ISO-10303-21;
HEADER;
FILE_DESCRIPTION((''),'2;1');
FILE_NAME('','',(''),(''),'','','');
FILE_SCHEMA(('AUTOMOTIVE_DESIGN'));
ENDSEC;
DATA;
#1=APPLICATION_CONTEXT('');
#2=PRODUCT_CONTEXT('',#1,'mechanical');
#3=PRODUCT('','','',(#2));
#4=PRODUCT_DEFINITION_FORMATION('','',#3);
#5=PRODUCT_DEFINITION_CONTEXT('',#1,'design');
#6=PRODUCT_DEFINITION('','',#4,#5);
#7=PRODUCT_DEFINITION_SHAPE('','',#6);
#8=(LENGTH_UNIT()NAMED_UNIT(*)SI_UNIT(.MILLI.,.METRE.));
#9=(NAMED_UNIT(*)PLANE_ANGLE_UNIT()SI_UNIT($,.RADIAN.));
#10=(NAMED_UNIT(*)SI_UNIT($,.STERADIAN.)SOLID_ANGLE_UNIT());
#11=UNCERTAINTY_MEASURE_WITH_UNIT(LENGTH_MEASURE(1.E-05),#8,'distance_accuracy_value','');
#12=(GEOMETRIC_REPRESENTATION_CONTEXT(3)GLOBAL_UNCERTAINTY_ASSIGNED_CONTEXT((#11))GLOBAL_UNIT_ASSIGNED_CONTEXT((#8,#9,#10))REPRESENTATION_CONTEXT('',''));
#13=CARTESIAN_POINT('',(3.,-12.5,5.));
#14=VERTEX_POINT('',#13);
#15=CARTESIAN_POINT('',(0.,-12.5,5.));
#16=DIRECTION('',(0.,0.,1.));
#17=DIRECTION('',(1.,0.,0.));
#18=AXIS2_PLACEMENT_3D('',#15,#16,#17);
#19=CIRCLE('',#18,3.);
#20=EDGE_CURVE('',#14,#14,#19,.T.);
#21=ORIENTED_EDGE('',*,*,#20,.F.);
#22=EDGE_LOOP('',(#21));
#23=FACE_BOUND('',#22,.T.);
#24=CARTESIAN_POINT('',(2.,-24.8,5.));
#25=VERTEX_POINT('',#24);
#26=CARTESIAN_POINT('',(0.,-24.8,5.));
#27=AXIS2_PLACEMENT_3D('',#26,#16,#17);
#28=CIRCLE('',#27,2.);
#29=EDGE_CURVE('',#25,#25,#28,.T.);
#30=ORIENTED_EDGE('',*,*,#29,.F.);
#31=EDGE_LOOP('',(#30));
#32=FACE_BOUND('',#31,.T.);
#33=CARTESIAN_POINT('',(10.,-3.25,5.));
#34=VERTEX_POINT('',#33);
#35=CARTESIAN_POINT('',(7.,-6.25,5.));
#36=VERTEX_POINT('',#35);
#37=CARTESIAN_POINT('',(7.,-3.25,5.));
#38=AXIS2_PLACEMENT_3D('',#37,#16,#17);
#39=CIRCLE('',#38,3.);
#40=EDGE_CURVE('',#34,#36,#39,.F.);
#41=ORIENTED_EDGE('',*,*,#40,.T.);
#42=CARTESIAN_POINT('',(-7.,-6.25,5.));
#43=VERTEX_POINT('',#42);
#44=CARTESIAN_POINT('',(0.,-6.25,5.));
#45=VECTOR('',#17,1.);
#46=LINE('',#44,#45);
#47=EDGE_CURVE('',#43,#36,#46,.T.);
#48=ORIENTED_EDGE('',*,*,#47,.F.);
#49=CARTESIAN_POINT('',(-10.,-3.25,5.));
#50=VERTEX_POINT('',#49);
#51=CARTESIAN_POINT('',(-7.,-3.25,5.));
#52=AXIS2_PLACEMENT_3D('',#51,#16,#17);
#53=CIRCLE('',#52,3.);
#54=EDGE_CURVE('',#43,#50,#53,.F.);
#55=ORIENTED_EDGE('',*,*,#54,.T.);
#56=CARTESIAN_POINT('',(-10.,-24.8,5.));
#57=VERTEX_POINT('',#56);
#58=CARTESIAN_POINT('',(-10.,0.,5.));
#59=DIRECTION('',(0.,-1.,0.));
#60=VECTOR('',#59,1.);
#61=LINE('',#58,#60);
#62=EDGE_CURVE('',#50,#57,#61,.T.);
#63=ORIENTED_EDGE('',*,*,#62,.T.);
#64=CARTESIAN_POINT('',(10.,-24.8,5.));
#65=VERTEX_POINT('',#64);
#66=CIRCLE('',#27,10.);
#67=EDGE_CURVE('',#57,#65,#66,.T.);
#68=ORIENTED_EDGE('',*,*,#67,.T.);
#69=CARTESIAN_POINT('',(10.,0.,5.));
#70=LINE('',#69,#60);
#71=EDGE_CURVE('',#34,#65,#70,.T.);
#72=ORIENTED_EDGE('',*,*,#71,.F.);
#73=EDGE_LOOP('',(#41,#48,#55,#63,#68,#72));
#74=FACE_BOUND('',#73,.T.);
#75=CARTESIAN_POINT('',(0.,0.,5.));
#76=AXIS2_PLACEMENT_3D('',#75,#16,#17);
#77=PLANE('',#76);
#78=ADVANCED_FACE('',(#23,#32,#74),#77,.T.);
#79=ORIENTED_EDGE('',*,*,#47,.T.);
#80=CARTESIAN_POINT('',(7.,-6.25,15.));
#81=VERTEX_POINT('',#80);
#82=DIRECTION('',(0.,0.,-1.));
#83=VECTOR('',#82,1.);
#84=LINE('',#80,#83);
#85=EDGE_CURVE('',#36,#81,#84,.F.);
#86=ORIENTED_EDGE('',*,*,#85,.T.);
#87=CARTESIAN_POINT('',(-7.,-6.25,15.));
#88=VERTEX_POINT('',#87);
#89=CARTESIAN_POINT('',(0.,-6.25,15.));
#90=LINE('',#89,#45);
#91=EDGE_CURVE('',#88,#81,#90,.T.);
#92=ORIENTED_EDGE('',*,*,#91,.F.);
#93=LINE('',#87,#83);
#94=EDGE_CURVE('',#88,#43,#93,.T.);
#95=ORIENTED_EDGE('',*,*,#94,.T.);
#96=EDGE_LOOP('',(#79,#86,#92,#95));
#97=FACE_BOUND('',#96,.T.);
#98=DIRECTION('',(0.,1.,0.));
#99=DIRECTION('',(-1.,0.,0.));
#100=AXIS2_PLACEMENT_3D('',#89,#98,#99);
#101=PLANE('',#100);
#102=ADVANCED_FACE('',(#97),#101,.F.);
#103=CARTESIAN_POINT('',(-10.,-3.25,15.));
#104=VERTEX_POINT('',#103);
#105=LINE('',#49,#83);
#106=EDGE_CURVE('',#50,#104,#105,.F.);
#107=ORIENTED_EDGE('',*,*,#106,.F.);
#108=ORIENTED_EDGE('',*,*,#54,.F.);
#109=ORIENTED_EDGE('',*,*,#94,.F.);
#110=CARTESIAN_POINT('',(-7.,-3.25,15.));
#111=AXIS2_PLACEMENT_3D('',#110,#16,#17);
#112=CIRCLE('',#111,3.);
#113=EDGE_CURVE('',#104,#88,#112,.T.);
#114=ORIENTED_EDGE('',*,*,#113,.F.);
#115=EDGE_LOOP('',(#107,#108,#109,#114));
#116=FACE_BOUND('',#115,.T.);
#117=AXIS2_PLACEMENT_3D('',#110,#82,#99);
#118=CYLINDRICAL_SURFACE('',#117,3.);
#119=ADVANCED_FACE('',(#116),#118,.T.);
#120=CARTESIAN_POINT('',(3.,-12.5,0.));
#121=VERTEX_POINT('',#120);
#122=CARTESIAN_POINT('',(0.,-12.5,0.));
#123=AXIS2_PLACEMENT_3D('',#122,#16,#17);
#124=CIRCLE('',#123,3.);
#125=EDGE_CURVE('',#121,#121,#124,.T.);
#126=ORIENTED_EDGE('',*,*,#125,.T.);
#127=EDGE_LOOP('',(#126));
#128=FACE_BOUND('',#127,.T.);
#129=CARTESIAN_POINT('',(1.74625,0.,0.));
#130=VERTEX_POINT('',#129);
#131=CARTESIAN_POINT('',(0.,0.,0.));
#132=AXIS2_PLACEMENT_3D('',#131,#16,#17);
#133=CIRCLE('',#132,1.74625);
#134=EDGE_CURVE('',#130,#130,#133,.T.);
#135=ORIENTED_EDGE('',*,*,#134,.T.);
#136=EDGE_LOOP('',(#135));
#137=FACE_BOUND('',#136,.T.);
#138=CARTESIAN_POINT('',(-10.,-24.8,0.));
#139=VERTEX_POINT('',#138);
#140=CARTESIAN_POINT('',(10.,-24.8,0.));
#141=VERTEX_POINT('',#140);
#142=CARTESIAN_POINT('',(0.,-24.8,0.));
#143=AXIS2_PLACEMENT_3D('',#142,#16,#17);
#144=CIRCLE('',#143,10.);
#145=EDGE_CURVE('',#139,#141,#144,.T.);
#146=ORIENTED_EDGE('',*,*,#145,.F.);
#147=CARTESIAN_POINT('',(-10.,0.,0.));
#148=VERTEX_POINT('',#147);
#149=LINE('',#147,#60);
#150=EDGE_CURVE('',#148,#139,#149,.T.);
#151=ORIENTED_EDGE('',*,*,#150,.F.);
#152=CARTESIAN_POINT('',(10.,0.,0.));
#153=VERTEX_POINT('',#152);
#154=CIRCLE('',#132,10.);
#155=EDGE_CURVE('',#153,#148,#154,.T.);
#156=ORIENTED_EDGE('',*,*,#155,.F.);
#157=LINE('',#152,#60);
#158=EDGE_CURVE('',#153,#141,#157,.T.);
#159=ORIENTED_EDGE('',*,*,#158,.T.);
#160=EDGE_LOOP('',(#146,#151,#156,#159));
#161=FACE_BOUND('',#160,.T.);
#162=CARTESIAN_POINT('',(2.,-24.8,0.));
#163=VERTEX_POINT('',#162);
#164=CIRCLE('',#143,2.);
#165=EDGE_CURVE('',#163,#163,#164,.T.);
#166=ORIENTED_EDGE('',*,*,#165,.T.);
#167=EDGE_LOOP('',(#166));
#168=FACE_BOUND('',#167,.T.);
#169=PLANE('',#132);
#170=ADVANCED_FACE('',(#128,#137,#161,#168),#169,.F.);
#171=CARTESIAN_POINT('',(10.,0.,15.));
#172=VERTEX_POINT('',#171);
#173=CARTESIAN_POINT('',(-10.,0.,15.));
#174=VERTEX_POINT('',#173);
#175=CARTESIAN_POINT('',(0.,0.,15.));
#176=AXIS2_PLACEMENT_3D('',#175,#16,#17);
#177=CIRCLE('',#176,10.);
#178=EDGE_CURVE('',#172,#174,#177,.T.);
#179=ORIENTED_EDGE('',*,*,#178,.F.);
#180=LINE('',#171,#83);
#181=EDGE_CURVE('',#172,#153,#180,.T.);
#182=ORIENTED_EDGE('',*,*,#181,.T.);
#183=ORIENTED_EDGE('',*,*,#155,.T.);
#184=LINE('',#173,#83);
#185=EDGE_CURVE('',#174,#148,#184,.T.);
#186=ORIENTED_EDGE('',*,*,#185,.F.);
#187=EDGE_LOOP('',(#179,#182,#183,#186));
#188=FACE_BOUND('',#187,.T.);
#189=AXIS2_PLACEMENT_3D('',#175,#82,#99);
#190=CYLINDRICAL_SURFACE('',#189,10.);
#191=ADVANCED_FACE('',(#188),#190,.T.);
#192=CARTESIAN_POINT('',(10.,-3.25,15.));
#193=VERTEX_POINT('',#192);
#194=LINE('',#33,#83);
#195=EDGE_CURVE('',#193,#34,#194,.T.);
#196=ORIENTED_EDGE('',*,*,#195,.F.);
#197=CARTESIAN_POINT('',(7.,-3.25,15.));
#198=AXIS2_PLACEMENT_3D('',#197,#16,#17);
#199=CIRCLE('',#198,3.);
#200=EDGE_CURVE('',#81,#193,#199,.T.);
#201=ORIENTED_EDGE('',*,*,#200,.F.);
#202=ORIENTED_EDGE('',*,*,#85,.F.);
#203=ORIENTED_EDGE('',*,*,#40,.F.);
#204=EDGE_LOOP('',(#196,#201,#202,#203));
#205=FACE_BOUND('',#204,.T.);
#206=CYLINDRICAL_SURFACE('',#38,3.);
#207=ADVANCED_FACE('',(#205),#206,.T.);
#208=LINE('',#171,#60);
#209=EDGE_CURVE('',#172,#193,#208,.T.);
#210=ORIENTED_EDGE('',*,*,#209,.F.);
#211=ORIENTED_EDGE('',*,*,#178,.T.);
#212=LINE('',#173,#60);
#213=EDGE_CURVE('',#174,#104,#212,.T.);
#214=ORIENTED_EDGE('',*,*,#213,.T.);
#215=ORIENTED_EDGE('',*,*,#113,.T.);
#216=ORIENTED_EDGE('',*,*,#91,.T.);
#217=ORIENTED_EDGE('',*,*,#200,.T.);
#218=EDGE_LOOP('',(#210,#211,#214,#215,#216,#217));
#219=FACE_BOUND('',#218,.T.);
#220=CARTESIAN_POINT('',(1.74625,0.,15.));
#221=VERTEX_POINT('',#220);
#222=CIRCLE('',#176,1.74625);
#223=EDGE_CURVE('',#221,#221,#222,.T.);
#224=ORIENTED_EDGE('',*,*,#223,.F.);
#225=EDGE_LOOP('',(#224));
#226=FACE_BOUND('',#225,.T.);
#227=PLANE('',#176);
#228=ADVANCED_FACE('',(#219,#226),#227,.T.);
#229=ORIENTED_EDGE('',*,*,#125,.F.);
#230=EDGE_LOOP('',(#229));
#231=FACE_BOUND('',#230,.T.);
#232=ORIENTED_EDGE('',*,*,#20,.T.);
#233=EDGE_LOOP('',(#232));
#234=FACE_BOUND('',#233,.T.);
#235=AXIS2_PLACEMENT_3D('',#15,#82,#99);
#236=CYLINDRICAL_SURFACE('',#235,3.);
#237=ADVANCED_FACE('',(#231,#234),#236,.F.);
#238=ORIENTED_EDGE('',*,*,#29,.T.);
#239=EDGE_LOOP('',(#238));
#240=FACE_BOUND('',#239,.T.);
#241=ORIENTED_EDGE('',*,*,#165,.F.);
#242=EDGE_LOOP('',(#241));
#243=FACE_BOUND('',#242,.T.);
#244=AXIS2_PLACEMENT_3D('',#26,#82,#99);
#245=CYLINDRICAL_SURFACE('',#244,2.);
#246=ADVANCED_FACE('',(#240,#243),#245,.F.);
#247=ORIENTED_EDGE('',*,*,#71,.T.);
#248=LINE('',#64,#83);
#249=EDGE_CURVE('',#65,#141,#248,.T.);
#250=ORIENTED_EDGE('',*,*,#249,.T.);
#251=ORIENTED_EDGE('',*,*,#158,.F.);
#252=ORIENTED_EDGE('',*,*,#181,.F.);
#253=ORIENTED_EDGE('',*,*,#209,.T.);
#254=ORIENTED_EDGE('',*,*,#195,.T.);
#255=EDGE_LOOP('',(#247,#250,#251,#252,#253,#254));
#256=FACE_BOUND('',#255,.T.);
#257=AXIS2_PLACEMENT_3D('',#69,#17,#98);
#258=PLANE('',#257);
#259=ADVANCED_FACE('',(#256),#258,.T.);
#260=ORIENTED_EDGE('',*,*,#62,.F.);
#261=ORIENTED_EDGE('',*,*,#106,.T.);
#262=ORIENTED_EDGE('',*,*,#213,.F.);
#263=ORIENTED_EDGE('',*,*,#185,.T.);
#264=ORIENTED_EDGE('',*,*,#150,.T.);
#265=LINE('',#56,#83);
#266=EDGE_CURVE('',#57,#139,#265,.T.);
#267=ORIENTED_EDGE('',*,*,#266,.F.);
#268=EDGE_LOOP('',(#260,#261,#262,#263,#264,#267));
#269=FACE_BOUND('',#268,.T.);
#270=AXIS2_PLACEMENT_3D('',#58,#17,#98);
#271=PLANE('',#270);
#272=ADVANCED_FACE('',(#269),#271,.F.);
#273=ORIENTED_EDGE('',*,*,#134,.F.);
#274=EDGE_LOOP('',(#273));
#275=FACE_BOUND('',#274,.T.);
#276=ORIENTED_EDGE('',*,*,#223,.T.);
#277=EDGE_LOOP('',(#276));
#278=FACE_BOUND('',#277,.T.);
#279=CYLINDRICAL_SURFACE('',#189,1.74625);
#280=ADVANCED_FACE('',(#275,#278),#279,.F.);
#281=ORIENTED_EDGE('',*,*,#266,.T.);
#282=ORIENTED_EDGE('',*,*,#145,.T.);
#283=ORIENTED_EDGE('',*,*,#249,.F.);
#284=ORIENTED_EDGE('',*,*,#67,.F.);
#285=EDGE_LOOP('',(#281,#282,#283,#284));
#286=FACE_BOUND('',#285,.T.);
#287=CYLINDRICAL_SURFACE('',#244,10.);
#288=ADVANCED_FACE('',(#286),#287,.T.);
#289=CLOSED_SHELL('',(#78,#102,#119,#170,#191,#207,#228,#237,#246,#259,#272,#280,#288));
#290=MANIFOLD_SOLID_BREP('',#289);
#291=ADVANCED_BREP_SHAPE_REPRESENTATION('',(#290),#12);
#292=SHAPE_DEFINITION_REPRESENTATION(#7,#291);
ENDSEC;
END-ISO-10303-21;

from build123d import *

# Parameters (mm, degrees)
SKETCH1_R           = 2
SKETCH1_R_2         = 3
BOSS_EXTRUDE1_DEPTH = 5
SKETCH1_3_R         = 1.74625
BOSS_EXTRUDE2_DEPTH = 15
FILLET1_R           = 3


with BuildPart() as part:
    # Sketch1 → Boss-Extrude1 (new body)
    with BuildSketch(Plane.XY):
        with BuildLine():
            Line((10, -24.8), (10, -6.25))
            Line((10, -6.25), (-10, -6.25))
            Line((-10, -6.25), (-10, -24.8))
            ThreePointArc((-10, -24.8), (0, -34.8), (10, -24.8))
        make_face()
        with Locations((0, -24.8)):
            Circle(SKETCH1_R, mode=Mode.SUBTRACT)
        with Locations((0, -12.5)):
            Circle(SKETCH1_R_2, mode=Mode.SUBTRACT)
    extrude(amount=BOSS_EXTRUDE1_DEPTH)

    # Sketch1<3> → Boss-Extrude2 (add)
    with BuildSketch(Plane.XY):
        with BuildLine():
            Line((10, -6.25), (10, 0))
            ThreePointArc((10, 0), (0, 10), (-10, 0))
            Line((-10, 0), (-10, -6.25))
            Line((-10, -6.25), (10, -6.25))
        make_face()
        Circle(SKETCH1_3_R, mode=Mode.SUBTRACT)
    extrude(amount=BOSS_EXTRUDE2_DEPTH)

    # Fillet1
    fillet1_edges = [part.edges().sort_by_distance(p)[0] for p in [
        (-10, -6.25, 10),
        (10, -6.25, 10),
    ]]
    fillet(fillet1_edges, radius=FILLET1_R)


solid = part.part
